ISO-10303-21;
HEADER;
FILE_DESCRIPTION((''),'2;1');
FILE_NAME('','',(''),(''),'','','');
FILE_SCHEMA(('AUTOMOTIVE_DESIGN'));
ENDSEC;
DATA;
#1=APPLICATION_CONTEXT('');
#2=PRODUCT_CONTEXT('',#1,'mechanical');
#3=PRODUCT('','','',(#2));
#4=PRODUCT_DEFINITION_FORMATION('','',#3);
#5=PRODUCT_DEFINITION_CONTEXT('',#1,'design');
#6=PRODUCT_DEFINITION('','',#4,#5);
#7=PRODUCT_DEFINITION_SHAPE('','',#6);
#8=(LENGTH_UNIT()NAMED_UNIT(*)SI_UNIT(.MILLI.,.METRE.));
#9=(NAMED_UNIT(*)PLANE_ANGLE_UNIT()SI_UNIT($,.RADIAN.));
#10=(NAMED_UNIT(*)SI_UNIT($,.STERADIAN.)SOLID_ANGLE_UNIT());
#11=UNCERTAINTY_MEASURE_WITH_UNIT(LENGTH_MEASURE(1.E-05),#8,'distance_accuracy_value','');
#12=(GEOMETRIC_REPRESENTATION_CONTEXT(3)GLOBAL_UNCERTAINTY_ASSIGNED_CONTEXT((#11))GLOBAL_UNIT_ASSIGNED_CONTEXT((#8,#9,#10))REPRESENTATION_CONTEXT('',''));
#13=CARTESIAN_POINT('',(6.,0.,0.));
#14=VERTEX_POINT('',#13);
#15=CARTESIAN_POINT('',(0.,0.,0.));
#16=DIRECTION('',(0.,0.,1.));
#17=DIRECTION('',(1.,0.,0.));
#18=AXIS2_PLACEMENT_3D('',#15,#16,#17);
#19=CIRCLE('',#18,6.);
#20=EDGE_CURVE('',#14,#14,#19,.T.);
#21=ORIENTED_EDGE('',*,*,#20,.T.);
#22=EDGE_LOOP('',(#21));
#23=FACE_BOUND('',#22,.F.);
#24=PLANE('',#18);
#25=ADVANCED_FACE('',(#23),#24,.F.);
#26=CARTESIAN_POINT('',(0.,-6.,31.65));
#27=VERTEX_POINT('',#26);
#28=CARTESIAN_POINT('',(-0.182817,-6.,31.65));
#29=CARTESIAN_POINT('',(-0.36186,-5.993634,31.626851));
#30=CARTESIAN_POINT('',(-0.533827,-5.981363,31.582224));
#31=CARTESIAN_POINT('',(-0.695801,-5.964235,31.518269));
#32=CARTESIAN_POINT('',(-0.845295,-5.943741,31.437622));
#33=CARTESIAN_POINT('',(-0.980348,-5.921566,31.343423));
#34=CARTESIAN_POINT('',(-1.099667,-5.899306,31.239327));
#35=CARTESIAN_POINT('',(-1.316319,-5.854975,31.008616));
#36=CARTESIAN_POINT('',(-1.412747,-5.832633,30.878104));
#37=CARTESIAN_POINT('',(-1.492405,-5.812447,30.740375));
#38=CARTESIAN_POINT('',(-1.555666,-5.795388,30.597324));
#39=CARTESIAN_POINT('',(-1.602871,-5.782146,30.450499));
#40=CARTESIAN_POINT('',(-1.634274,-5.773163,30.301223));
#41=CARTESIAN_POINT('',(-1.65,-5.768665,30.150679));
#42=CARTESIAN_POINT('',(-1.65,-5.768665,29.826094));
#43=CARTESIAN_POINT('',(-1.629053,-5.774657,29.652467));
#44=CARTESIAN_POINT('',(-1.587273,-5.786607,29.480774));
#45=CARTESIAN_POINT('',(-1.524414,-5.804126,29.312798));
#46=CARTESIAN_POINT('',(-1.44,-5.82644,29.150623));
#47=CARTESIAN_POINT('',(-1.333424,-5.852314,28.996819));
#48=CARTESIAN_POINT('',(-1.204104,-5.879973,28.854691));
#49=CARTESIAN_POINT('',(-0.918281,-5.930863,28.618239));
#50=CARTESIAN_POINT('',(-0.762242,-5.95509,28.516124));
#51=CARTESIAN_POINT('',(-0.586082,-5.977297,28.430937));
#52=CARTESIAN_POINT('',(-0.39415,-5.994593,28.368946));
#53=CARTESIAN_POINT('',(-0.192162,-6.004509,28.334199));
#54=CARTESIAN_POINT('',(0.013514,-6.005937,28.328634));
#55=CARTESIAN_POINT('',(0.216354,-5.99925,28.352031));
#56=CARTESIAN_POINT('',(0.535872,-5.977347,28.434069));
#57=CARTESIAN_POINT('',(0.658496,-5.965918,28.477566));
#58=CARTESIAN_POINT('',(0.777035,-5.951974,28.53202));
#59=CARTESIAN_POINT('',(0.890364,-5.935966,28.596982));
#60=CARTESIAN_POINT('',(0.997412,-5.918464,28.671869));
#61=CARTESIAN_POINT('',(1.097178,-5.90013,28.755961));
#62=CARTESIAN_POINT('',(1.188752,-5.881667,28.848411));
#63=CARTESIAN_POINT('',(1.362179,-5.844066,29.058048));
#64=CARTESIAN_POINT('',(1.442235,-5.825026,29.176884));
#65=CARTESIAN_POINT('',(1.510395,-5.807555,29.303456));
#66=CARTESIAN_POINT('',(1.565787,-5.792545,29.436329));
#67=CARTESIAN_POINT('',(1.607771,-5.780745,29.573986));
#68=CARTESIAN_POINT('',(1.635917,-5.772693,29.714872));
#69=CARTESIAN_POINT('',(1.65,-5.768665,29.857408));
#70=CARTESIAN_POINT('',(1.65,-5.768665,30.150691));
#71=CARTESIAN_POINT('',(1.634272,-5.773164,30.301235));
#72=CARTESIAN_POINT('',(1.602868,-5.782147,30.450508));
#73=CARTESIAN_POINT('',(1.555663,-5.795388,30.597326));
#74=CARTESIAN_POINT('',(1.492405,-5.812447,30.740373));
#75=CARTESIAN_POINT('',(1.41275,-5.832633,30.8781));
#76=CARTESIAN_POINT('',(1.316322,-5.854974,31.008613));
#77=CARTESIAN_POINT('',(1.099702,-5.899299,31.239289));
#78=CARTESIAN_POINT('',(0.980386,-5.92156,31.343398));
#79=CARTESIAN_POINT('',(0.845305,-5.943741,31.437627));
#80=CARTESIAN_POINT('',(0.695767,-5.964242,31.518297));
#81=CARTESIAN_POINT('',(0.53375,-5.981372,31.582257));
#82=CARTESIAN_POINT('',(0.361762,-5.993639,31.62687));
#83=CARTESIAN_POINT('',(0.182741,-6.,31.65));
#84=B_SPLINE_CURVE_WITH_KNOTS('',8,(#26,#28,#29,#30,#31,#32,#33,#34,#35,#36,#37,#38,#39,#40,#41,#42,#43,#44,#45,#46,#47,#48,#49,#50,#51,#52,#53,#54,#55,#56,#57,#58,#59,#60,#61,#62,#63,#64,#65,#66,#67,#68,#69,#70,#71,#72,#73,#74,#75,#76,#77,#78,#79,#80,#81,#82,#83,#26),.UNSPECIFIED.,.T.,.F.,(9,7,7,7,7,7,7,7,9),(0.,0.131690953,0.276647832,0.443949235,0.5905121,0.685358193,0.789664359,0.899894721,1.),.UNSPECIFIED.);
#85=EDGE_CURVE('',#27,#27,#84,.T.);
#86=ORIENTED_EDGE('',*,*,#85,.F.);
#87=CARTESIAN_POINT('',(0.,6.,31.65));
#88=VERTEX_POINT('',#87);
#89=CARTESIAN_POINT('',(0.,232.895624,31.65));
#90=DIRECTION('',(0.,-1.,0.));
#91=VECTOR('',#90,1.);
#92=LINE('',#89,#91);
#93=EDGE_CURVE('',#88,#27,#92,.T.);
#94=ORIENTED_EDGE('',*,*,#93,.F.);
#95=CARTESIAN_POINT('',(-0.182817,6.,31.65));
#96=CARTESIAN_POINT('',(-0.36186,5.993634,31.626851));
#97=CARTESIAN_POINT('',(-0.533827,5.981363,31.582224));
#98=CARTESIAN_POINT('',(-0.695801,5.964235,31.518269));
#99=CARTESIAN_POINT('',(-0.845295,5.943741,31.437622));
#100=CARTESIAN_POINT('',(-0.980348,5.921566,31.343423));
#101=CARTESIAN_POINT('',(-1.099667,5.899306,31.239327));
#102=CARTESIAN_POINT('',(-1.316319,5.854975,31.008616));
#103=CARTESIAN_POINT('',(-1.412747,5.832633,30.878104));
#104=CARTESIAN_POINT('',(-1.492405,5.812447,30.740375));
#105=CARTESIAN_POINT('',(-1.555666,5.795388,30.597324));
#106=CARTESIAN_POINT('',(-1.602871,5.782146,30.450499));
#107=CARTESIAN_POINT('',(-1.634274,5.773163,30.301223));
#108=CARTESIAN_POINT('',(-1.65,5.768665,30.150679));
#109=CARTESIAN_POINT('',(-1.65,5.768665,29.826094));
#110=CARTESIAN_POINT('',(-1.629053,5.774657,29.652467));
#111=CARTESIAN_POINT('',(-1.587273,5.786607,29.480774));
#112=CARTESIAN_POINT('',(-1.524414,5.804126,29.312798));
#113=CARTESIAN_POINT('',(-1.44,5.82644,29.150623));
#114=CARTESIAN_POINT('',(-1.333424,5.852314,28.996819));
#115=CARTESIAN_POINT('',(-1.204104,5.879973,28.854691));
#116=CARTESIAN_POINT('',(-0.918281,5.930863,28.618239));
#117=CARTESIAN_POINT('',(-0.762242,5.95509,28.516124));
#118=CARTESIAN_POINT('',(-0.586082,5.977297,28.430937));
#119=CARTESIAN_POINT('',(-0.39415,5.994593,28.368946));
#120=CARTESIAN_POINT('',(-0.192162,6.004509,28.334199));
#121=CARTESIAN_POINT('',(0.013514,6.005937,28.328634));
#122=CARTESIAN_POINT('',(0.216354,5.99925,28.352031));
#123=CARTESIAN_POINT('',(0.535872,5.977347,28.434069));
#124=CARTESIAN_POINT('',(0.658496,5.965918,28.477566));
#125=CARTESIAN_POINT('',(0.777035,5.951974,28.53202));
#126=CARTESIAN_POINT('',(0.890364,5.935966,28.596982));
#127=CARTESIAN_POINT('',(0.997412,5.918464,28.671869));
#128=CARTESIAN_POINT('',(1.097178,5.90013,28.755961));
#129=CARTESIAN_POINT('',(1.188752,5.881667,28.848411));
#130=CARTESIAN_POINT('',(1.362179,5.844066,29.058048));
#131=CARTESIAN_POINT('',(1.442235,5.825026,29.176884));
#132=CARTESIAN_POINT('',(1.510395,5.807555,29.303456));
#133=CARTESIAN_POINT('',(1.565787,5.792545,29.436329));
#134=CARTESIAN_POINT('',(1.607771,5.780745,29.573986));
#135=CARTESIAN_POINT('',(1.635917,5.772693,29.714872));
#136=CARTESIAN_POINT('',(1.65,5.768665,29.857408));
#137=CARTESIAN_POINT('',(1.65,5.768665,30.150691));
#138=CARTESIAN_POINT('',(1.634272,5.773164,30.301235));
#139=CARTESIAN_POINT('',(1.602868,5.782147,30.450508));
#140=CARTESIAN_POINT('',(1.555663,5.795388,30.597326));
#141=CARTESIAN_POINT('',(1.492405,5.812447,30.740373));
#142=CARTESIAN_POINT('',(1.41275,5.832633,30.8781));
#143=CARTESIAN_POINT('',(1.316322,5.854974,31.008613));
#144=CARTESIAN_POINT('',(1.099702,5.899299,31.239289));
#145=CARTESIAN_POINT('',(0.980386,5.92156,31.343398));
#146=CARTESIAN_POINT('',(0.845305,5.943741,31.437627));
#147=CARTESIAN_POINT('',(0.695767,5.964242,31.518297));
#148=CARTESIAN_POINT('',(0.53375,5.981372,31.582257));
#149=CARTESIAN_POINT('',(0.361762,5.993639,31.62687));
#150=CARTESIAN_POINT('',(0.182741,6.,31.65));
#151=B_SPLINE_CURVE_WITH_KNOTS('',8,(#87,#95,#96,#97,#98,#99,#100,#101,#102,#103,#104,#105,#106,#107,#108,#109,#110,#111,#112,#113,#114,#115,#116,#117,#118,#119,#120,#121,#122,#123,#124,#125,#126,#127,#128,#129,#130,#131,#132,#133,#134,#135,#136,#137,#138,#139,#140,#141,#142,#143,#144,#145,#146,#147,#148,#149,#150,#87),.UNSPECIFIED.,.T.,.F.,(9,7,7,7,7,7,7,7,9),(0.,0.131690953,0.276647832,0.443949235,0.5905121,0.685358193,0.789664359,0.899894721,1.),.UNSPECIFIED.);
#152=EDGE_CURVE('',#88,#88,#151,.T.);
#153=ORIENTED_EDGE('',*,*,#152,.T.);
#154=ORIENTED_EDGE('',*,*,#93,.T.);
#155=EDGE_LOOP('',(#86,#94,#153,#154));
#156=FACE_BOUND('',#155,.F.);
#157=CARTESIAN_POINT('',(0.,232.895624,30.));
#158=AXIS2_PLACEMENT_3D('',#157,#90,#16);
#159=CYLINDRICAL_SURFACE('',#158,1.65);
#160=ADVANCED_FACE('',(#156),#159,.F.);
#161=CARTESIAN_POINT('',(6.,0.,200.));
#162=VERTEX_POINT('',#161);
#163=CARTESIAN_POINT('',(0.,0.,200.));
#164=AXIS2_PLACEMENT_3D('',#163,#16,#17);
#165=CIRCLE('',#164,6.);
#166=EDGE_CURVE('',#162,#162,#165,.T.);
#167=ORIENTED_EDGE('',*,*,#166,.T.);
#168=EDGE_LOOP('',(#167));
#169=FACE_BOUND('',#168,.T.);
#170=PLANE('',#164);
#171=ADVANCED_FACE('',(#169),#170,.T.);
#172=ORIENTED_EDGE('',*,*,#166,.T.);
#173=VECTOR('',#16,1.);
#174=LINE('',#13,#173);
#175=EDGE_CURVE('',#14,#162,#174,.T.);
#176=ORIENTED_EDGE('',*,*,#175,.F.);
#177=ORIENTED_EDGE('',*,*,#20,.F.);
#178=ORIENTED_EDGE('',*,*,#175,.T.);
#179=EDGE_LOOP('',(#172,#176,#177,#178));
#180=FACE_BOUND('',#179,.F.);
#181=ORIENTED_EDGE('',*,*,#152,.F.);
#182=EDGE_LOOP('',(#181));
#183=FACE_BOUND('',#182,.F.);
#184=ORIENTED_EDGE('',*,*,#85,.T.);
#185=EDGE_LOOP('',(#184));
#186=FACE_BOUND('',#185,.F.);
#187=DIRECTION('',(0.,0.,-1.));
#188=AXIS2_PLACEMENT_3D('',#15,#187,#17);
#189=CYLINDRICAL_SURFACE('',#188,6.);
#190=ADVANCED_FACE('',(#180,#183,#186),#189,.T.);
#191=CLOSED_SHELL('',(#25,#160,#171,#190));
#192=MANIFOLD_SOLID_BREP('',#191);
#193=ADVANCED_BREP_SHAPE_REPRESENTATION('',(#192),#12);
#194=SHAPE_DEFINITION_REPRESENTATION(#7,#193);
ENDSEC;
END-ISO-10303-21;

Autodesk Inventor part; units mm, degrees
ref_plane "YZ Plane" through (0, 0, 0) normal (1, 0, 0) x (0, 1, 0)
ref_plane "XZ Plane" through (0, 0, 0) normal (0, 1, 0) x (-1, 0, 0)
ref_plane "XY Plane" through (0, 0, 0) normal (0, 0, 1) x (1, 0, 0)
sketch "スケッチ1" plane through (0, 0, 0) normal (0, 0, 1) x (1, 0, 0)
  circle A0 centre (0, 0) radius 6
  dimension "d0" = 12
extrude "押し出し1" add sketch "スケッチ1" along normal blind 200
sketch "スケッチ2" plane through (0, 0, 0) normal (0, 1, 0) x (-1, 0, 0)
  line L0 (6, 200) -> (-6, 200) projected
  line L1 (6, 0) -> (-6, 0) projected
  line L2 (0, 0) -> (0, 200)
  point P0 (0, 30)
  dimension "d3" = 30
hole "穴1" at (0, 0, 30) direction (0, -1, 0) diameter 3.3 end through all both
properties part number "aaa_12_pole"
